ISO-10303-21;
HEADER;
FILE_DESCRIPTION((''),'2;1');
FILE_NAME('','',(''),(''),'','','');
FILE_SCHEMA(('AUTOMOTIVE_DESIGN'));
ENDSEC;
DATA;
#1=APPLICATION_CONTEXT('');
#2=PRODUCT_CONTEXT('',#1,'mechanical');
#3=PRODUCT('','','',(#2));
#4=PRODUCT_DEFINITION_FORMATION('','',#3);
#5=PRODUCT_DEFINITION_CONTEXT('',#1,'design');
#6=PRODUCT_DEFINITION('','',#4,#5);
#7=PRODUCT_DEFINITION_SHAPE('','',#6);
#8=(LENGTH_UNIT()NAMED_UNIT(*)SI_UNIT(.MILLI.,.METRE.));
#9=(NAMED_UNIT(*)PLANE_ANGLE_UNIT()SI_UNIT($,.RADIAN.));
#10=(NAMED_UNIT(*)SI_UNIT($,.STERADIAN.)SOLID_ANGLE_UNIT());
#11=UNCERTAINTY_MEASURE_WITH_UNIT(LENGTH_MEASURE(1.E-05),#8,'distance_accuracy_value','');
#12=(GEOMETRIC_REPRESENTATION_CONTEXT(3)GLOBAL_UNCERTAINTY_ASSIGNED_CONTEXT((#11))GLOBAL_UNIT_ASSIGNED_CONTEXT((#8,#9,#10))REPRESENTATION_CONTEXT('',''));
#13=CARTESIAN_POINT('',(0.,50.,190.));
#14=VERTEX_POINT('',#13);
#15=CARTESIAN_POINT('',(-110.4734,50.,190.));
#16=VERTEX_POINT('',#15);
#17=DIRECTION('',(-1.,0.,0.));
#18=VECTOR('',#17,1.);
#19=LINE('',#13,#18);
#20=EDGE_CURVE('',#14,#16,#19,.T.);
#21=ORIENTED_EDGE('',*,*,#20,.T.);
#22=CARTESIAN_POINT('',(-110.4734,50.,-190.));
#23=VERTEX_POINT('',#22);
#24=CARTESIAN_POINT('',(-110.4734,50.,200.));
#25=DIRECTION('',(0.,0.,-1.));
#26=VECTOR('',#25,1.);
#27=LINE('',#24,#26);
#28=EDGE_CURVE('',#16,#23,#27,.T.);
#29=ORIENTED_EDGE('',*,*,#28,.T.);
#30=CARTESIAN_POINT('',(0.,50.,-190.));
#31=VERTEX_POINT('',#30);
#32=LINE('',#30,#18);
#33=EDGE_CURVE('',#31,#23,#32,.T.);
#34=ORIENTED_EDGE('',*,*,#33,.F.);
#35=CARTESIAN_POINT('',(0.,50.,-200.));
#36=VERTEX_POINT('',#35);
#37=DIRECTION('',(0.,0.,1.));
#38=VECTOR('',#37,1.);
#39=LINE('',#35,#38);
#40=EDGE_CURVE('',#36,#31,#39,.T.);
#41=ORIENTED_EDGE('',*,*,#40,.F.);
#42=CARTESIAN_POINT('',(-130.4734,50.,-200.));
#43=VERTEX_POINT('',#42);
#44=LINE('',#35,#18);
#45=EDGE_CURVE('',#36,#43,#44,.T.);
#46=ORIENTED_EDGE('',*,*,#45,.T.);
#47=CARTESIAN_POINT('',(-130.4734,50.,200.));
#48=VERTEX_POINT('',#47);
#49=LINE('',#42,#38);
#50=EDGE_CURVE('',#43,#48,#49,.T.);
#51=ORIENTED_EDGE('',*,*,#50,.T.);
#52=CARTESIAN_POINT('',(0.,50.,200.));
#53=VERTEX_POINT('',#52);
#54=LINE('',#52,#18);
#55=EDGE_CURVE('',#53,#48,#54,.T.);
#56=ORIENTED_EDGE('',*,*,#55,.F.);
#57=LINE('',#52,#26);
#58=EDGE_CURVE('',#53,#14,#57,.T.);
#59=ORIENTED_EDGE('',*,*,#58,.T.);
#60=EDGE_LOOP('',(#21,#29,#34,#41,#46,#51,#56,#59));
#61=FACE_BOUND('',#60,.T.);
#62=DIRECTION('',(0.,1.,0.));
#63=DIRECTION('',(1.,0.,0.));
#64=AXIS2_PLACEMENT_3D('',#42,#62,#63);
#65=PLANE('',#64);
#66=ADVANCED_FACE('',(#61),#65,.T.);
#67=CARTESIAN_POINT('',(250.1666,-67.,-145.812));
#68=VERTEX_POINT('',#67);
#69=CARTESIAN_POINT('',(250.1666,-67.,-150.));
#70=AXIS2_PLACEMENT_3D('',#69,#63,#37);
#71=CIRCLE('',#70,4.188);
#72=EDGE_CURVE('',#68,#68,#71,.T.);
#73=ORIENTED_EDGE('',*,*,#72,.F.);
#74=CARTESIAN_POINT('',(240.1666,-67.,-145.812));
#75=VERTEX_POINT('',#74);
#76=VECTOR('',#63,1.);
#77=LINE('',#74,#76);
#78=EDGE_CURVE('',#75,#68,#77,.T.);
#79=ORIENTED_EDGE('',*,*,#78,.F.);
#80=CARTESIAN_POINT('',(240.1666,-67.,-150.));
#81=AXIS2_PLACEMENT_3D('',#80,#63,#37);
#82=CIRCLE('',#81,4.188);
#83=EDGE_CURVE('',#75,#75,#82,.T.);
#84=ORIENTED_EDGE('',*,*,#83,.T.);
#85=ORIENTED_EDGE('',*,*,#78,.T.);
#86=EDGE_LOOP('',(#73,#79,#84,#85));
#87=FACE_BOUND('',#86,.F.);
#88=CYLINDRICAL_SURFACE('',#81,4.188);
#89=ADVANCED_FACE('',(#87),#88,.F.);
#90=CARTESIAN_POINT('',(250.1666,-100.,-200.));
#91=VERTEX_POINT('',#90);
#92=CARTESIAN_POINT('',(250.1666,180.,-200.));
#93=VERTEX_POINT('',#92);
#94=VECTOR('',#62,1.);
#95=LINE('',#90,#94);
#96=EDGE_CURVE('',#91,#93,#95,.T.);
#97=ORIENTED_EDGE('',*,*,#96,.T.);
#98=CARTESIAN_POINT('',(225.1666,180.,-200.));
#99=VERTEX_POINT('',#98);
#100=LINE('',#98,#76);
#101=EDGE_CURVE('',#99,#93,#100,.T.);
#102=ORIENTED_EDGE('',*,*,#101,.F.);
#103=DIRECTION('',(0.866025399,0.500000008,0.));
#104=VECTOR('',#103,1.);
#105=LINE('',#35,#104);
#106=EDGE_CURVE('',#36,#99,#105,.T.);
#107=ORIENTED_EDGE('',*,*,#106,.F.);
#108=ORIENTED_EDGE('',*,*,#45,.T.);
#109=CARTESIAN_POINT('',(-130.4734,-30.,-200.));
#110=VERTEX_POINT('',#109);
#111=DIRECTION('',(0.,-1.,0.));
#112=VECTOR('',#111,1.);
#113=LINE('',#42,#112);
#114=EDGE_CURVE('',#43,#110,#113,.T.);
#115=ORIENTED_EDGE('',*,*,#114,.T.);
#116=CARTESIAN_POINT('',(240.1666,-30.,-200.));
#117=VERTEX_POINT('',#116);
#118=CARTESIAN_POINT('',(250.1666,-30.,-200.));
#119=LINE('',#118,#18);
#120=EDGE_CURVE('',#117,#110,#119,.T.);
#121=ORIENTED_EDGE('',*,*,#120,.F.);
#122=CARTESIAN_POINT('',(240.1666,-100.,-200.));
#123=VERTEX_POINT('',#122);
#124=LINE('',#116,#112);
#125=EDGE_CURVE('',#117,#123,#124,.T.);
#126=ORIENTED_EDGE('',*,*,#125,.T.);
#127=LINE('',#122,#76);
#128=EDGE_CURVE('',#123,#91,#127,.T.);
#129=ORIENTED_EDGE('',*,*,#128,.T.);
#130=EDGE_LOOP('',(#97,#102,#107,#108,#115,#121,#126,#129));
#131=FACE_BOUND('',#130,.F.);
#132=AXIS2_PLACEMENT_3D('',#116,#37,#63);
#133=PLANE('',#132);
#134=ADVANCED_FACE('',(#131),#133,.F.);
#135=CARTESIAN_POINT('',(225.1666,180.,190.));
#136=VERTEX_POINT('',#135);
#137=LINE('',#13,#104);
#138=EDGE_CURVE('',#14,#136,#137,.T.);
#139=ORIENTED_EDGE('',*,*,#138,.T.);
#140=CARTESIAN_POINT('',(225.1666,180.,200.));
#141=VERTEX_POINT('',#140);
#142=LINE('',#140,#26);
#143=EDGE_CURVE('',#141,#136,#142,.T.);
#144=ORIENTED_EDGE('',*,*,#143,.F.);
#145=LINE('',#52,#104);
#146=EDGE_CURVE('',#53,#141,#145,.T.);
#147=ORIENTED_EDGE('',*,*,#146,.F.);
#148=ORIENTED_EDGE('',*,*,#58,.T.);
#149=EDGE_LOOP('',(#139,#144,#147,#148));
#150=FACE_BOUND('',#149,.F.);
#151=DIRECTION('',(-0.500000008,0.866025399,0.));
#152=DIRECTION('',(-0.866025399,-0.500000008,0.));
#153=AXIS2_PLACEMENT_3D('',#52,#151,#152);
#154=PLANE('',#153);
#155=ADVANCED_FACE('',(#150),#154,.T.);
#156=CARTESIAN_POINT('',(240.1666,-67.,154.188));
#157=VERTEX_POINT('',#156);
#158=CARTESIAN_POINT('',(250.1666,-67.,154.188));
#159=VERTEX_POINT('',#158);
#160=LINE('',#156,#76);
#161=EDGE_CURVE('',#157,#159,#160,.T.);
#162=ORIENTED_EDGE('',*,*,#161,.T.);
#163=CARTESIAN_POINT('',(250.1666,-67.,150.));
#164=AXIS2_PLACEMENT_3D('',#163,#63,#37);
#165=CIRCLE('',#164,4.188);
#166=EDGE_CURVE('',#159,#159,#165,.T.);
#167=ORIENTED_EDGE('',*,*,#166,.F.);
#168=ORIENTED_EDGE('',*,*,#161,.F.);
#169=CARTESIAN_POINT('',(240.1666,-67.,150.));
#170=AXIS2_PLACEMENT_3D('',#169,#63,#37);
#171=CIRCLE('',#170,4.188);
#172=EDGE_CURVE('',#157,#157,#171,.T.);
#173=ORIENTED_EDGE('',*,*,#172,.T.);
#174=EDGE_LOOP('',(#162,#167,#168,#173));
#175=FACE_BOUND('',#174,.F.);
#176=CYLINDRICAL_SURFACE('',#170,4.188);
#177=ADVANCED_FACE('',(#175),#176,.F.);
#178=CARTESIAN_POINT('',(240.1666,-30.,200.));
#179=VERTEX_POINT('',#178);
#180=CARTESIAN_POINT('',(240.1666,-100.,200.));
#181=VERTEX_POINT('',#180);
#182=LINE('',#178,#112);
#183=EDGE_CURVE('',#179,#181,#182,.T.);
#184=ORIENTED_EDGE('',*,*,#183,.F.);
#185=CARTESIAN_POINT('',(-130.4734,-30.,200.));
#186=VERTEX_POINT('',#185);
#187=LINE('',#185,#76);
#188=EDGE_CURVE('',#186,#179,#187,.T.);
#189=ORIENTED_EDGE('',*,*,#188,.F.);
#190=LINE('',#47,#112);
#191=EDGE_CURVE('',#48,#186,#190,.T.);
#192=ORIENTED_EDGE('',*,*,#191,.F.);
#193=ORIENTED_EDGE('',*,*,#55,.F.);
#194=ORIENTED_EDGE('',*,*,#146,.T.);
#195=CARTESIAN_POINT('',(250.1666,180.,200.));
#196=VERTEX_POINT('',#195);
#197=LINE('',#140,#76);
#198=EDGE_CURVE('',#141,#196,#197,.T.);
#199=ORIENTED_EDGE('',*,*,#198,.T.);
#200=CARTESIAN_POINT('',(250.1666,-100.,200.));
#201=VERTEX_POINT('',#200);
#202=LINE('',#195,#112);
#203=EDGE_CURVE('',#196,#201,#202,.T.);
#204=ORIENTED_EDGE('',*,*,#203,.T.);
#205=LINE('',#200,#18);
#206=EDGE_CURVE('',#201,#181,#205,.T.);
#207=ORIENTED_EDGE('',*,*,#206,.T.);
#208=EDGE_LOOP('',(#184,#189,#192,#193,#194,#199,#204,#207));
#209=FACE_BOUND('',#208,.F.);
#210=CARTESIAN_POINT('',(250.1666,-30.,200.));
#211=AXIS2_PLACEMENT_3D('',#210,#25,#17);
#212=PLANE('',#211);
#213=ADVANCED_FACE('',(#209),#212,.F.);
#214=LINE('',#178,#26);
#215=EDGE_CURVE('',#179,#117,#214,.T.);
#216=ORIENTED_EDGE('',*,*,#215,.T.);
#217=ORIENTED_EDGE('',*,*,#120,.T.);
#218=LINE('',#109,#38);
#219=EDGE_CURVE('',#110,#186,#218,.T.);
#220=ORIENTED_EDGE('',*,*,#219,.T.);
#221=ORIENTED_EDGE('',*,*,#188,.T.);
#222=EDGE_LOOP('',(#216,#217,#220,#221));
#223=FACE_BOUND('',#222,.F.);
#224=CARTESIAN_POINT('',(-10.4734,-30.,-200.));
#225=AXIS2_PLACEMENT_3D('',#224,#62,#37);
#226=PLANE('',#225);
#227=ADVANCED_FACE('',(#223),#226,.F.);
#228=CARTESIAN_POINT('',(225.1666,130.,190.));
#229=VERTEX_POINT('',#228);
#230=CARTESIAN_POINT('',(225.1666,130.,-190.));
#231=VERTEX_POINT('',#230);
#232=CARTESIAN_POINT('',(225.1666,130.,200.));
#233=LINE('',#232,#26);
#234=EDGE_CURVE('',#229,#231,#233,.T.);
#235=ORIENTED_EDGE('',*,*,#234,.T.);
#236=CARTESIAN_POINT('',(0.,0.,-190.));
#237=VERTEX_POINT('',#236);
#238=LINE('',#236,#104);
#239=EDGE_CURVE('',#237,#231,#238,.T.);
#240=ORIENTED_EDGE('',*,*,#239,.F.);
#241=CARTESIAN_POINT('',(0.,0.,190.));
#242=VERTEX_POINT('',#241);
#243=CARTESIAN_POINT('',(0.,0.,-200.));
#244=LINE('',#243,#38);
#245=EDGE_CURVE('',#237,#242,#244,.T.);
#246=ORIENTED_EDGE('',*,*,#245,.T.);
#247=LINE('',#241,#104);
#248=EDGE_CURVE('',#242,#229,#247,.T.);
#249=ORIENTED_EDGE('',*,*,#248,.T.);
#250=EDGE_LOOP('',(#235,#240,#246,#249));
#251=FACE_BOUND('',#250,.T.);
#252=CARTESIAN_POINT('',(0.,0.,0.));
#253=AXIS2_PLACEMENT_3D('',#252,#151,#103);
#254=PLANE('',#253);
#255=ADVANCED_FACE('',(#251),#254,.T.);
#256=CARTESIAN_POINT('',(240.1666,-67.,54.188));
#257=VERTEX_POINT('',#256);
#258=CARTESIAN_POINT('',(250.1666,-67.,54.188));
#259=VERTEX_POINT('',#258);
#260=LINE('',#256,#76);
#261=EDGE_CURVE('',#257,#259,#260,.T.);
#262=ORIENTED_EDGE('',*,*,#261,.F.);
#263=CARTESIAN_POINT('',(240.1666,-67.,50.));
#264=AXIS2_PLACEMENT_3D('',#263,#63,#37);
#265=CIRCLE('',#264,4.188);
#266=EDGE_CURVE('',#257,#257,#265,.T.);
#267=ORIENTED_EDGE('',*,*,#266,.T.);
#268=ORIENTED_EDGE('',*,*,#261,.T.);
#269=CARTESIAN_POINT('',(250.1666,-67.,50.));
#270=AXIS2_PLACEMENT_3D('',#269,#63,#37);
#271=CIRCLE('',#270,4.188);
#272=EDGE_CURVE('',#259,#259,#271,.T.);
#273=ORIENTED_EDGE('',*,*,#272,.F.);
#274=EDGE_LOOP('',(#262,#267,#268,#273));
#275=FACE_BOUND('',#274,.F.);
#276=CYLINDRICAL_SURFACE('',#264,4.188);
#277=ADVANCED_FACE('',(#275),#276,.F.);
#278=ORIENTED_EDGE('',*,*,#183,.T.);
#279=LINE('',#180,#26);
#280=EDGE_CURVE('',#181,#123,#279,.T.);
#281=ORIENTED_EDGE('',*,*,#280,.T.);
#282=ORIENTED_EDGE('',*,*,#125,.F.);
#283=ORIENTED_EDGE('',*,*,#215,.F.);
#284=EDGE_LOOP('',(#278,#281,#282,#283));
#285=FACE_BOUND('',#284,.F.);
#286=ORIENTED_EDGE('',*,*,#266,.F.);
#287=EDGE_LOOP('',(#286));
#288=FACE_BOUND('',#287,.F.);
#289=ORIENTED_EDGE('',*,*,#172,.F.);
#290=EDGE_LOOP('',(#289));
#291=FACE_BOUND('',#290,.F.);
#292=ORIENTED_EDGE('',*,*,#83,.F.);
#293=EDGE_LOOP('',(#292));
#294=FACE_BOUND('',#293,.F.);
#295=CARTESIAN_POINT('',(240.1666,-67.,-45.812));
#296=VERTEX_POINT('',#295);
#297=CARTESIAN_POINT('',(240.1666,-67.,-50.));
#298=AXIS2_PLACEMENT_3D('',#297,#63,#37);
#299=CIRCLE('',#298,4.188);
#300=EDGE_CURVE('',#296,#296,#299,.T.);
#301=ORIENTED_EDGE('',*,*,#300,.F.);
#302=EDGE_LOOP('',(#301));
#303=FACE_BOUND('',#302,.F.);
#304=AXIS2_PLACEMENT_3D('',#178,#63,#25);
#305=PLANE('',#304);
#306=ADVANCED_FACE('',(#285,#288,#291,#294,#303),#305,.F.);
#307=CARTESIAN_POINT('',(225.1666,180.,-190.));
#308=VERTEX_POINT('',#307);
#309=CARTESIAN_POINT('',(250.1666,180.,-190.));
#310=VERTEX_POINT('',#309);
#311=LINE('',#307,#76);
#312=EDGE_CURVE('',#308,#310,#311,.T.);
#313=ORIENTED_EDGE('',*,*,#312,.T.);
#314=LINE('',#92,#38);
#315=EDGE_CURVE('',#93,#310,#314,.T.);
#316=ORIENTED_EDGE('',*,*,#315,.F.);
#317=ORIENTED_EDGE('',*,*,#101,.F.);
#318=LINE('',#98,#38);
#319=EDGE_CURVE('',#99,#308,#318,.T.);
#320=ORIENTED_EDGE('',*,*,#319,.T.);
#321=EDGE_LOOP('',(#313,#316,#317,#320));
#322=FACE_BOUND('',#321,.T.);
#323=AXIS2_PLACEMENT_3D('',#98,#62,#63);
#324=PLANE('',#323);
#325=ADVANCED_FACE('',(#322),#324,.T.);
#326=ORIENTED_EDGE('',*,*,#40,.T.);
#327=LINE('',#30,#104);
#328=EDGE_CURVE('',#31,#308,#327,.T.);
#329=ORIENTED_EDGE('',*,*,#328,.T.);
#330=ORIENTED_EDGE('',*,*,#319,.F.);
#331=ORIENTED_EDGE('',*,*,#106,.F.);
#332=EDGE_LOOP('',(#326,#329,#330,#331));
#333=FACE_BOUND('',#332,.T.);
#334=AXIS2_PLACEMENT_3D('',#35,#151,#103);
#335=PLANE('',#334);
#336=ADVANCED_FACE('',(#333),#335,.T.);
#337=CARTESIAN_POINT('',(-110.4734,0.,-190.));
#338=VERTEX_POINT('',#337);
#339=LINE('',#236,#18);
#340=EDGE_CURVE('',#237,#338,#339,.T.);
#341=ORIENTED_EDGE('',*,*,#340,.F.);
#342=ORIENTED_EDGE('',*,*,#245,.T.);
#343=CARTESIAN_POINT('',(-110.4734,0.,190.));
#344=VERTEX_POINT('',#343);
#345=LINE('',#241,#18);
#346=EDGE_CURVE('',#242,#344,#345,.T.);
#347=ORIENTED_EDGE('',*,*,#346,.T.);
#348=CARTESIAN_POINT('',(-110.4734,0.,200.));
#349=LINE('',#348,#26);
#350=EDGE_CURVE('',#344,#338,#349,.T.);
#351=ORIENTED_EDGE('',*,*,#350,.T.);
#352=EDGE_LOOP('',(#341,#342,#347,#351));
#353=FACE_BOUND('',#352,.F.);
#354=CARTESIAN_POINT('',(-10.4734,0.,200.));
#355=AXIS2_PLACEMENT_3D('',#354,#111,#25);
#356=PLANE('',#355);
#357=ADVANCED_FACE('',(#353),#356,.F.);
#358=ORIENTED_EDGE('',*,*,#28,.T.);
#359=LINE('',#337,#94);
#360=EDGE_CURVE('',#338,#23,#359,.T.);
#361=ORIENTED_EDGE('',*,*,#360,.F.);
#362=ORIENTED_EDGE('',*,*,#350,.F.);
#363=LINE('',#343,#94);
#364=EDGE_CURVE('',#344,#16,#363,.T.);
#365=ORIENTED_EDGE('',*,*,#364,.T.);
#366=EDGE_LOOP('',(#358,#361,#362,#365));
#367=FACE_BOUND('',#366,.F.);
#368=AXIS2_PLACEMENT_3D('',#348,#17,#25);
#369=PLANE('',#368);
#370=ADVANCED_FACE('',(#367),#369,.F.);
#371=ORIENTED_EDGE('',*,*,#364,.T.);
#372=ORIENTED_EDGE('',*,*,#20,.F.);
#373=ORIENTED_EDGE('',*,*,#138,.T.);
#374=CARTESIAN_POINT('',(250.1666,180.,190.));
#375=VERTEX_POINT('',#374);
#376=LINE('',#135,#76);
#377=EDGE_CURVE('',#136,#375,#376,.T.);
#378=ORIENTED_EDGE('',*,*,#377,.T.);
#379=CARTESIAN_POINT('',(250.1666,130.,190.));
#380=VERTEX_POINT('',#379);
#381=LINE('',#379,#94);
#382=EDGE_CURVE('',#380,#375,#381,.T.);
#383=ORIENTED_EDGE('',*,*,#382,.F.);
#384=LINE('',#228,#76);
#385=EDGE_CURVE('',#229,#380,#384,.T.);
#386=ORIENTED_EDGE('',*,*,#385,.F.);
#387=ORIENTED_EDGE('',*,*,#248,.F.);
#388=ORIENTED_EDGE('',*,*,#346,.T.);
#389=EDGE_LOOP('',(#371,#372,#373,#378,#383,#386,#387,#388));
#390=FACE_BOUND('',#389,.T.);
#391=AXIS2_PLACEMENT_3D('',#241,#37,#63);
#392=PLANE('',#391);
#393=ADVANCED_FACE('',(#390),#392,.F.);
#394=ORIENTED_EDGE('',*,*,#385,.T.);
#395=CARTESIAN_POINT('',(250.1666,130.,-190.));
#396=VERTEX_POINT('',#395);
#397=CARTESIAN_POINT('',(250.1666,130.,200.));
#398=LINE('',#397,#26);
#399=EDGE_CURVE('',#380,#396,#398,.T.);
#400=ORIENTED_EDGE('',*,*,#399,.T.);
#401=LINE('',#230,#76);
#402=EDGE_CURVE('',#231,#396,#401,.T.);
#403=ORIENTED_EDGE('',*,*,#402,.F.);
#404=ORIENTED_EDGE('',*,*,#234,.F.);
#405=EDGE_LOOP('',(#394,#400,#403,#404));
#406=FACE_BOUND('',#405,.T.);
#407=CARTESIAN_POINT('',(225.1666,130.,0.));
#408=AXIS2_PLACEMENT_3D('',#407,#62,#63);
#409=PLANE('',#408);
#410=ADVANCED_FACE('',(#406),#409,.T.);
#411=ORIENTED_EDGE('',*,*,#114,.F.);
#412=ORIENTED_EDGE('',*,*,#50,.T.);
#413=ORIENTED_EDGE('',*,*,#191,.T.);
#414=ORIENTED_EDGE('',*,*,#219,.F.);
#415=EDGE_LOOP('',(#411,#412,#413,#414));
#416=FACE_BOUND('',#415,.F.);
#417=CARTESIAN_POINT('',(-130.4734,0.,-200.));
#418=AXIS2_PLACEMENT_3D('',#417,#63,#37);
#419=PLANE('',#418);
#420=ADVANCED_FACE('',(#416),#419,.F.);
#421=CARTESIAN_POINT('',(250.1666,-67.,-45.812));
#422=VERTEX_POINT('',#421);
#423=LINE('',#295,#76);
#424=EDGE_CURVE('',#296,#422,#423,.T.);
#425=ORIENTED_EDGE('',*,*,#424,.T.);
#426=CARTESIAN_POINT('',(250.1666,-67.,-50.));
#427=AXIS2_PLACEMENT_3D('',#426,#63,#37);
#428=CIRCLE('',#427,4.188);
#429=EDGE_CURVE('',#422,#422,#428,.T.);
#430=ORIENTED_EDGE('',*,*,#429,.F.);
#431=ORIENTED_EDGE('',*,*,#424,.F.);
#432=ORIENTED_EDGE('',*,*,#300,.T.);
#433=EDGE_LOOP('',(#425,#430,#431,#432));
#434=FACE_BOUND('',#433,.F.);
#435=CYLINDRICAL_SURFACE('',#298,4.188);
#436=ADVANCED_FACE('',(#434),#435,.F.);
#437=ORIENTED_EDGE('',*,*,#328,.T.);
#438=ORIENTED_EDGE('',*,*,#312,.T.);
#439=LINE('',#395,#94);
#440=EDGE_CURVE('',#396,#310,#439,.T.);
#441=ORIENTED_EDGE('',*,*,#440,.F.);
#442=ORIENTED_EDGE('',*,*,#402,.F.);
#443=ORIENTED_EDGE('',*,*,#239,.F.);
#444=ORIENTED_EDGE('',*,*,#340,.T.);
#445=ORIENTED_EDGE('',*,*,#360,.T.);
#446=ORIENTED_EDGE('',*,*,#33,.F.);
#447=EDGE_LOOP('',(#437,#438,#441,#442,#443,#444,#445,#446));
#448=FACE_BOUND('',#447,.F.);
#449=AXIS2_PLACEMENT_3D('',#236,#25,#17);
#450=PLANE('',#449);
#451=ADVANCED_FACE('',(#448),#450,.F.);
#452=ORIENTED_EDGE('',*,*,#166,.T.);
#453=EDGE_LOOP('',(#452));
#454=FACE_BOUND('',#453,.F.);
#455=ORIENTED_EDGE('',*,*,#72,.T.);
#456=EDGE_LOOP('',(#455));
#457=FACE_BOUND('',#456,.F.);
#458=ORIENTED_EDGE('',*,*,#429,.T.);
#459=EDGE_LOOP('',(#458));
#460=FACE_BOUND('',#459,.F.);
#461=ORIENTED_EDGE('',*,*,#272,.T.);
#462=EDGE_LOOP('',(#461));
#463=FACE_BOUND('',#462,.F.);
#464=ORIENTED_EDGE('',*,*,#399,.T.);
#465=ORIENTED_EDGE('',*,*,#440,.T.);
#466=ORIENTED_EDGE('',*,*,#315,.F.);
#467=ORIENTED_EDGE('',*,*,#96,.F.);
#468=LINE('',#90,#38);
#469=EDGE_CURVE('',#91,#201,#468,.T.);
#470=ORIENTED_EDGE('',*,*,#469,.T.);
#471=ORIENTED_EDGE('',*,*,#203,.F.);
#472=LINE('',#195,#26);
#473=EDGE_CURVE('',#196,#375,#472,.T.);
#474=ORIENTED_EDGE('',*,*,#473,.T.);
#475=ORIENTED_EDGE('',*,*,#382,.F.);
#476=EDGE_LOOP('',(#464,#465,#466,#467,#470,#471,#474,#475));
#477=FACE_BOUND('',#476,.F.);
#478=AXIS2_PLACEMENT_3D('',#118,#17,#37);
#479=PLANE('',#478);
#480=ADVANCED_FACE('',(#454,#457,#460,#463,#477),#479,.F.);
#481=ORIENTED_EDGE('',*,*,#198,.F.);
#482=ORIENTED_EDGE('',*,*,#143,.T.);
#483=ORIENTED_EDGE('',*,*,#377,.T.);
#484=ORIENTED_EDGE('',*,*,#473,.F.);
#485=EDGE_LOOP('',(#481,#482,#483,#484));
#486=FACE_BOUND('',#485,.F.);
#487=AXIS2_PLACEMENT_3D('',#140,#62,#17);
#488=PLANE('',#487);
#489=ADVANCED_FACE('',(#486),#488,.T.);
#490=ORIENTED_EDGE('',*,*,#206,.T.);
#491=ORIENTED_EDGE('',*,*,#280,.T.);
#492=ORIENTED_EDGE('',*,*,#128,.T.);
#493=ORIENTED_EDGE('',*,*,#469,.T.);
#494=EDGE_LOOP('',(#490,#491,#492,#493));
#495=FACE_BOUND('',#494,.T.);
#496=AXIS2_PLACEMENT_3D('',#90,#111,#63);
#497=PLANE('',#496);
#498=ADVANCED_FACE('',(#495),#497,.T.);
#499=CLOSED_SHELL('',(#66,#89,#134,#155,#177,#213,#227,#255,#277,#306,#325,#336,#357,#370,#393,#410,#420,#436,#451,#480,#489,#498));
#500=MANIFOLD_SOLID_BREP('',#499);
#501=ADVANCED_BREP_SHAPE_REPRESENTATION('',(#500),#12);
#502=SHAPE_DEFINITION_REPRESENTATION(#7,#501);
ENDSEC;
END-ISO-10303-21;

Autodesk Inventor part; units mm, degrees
ref_plane "YZ Plane" through (0, 0, 0) normal (1, 0, 0) x (0, 1, 0)
ref_plane "XZ Plane" through (0, 0, 0) normal (0, 1, 0) x (-1, 0, 0)
sketch "Sketch1" plane through (0, 0, 0) normal (0, 0, 1) x (1, 0, 0)
  line L0 (0, 0) -> (225.1666, 130)
  line L1 (0, 0) -> (260, 0) construction
  line L2 (225.1666, 130) -> (250.1666, 130)
  line L3 (250.1666, 130) -> (250.1666, 0)
  line L4 (250.1666, 0) -> (0, 0)
  dimension "d4" = 30
  dimension "d5" = 260
  dimension "d6" = 25
extrude "Extrusion1" add sketch "Sketch1" along normal blind 200 and the other way blind 200
sketch "Sketch8" plane through (250.1666, 0, -200) normal (0, -1, 0) x (1, 0, 0)
  line L0 (0, 0) -> (-250.1666, 0) projected
  line L1 (0, 400) -> (0, 390) projected
  line L2 (-260.64, 0) -> (0, 0)
  line L3 (0, 0) -> (0, 400)
  line L4 (0, 400) -> (-260.64, 400)
  line L5 (-260.64, 400) -> (-260.64, 0)
  point P0 (-250.1666, 200)
extrude "Extrusion8" add sketch "Sketch8" along normal blind 30
sketch "Sketch9" plane through (-10.4734, -30, -200) normal (-1, 0, 0) x (0, 0, 1)
  line L0 (0, 160) -> (0, 0) projected
  line L1 (400, 160) -> (400, 0) projected
  line L2 (0, 0) -> (400, 0)
  line L3 (400, 0) -> (400, 30)
  line L4 (400, 30) -> (0, 30)
  line L5 (0, 30) -> (0, 0)
  point P0 (200, 30)
  point P1 (0, 229.8807)
  point P2 (400, 229.8807)
extrude "Extrusion9" add sketch "Sketch9" along normal blind 120
sketch "Sketch10" plane through (-130.4734, 0, -200) normal (0, 1, 0) x (1, 0, 0)
  line L0 (380.64, -400) -> (0, -400) projected
  line L1 (380.64, 0) -> (0, 0) projected
  line L2 (0, -400) -> (20, -400)
  line L3 (20, -400) -> (20, 0)
  line L4 (20, 0) -> (0, 0)
  line L5 (0, 0) -> (0, -400)
  point P0 (130.4734, -200)
  dimension "d32" = 20
extrude "Extrusion10" add sketch "Sketch10" along normal blind 50
sketch "Sketch11" plane through (0, 0, -200) normal (0, 0, -1) x (-1, 0, 0)
  line L0 (-250.1666, 130) -> (-250.1666, -30) projected
  line L1 (-250.1666, 130) -> (-250.1666, 180)
  line L2 (0, 0) -> (-225.1666, 130) projected
  line L3 (0, 0) -> (0, 50)
  line L4 (110.4734, 0) -> (110.4734, 50) projected
  line L5 (0, 50) -> (110.4734, 50)
  line L6 (0, 50) -> (-225.1666, 180)
  line L7 (-225.1666, 180) -> (-250.1666, 180)
  line L8 (-225.1666, 130) -> (-225.1666, 180)
  line L9 (-225.1666, 130) -> (-250.1666, 130) projected
  line L10 (0, 0) -> (110.4734, 0) projected
  dimension "d35" = 50
  dimension "d36" = 50
extrude "Extrusion11" add sketch "Sketch11" against normal blind 10
ref_plane "Work Plane2" through (250.1666, 130, 0) normal (0, 0, -1) x (-1, 0, 0)
ref_plane "Work Plane1" through (250.1666, 130, 5) normal (0, 0, -1) x (-1, 0, 0)
mirror "Mirror1" about plane through (250.1666, 130, 0) normal (0, 0, -1) of "Extrusion11"
sketch "Sketch12" plane through (250.1666, -30, -200) normal (0, -1, 0) x (1, 0, 0)
  line L0 (0, 400) -> (-380.64, 400) projected
  line L1 (0, 400) -> (-10, 400)
  line L2 (-10, 400) -> (-10, 0)
  line L3 (-10, 0) -> (0, 0)
  line L4 (0, 0) -> (0, 400)
  point P0 (-250.1666, 200)
  dimension "d40" = 10
extrude "Extrusion12" add sketch "Sketch12" along normal blind 70
sketch "Sketch13" plane through (240.1666, -30, -200) normal (-1, 0, 0) x (0, 0, 1)
  line L0 (0, 0) -> (0, -70) projected
  line L1 (0, 0) -> (400, 0) projected
  point P0 (200, 30)
  point P1 (50, -37)
  dimension "d43" = 50
  dimension "d44" = 37
hole "Hole1" at (240.1666, -67, -150) direction (1, 0, 0) diameter 8.376 depth 27.3 tip angle 118 thread size "M10x1.5" class "6H" standard "ISO Metric profile"
pattern_linear "Rectangular Pattern1" count 4 spacing 100 along (0, 0, 1) of "Hole1"
properties part number "rampa"
